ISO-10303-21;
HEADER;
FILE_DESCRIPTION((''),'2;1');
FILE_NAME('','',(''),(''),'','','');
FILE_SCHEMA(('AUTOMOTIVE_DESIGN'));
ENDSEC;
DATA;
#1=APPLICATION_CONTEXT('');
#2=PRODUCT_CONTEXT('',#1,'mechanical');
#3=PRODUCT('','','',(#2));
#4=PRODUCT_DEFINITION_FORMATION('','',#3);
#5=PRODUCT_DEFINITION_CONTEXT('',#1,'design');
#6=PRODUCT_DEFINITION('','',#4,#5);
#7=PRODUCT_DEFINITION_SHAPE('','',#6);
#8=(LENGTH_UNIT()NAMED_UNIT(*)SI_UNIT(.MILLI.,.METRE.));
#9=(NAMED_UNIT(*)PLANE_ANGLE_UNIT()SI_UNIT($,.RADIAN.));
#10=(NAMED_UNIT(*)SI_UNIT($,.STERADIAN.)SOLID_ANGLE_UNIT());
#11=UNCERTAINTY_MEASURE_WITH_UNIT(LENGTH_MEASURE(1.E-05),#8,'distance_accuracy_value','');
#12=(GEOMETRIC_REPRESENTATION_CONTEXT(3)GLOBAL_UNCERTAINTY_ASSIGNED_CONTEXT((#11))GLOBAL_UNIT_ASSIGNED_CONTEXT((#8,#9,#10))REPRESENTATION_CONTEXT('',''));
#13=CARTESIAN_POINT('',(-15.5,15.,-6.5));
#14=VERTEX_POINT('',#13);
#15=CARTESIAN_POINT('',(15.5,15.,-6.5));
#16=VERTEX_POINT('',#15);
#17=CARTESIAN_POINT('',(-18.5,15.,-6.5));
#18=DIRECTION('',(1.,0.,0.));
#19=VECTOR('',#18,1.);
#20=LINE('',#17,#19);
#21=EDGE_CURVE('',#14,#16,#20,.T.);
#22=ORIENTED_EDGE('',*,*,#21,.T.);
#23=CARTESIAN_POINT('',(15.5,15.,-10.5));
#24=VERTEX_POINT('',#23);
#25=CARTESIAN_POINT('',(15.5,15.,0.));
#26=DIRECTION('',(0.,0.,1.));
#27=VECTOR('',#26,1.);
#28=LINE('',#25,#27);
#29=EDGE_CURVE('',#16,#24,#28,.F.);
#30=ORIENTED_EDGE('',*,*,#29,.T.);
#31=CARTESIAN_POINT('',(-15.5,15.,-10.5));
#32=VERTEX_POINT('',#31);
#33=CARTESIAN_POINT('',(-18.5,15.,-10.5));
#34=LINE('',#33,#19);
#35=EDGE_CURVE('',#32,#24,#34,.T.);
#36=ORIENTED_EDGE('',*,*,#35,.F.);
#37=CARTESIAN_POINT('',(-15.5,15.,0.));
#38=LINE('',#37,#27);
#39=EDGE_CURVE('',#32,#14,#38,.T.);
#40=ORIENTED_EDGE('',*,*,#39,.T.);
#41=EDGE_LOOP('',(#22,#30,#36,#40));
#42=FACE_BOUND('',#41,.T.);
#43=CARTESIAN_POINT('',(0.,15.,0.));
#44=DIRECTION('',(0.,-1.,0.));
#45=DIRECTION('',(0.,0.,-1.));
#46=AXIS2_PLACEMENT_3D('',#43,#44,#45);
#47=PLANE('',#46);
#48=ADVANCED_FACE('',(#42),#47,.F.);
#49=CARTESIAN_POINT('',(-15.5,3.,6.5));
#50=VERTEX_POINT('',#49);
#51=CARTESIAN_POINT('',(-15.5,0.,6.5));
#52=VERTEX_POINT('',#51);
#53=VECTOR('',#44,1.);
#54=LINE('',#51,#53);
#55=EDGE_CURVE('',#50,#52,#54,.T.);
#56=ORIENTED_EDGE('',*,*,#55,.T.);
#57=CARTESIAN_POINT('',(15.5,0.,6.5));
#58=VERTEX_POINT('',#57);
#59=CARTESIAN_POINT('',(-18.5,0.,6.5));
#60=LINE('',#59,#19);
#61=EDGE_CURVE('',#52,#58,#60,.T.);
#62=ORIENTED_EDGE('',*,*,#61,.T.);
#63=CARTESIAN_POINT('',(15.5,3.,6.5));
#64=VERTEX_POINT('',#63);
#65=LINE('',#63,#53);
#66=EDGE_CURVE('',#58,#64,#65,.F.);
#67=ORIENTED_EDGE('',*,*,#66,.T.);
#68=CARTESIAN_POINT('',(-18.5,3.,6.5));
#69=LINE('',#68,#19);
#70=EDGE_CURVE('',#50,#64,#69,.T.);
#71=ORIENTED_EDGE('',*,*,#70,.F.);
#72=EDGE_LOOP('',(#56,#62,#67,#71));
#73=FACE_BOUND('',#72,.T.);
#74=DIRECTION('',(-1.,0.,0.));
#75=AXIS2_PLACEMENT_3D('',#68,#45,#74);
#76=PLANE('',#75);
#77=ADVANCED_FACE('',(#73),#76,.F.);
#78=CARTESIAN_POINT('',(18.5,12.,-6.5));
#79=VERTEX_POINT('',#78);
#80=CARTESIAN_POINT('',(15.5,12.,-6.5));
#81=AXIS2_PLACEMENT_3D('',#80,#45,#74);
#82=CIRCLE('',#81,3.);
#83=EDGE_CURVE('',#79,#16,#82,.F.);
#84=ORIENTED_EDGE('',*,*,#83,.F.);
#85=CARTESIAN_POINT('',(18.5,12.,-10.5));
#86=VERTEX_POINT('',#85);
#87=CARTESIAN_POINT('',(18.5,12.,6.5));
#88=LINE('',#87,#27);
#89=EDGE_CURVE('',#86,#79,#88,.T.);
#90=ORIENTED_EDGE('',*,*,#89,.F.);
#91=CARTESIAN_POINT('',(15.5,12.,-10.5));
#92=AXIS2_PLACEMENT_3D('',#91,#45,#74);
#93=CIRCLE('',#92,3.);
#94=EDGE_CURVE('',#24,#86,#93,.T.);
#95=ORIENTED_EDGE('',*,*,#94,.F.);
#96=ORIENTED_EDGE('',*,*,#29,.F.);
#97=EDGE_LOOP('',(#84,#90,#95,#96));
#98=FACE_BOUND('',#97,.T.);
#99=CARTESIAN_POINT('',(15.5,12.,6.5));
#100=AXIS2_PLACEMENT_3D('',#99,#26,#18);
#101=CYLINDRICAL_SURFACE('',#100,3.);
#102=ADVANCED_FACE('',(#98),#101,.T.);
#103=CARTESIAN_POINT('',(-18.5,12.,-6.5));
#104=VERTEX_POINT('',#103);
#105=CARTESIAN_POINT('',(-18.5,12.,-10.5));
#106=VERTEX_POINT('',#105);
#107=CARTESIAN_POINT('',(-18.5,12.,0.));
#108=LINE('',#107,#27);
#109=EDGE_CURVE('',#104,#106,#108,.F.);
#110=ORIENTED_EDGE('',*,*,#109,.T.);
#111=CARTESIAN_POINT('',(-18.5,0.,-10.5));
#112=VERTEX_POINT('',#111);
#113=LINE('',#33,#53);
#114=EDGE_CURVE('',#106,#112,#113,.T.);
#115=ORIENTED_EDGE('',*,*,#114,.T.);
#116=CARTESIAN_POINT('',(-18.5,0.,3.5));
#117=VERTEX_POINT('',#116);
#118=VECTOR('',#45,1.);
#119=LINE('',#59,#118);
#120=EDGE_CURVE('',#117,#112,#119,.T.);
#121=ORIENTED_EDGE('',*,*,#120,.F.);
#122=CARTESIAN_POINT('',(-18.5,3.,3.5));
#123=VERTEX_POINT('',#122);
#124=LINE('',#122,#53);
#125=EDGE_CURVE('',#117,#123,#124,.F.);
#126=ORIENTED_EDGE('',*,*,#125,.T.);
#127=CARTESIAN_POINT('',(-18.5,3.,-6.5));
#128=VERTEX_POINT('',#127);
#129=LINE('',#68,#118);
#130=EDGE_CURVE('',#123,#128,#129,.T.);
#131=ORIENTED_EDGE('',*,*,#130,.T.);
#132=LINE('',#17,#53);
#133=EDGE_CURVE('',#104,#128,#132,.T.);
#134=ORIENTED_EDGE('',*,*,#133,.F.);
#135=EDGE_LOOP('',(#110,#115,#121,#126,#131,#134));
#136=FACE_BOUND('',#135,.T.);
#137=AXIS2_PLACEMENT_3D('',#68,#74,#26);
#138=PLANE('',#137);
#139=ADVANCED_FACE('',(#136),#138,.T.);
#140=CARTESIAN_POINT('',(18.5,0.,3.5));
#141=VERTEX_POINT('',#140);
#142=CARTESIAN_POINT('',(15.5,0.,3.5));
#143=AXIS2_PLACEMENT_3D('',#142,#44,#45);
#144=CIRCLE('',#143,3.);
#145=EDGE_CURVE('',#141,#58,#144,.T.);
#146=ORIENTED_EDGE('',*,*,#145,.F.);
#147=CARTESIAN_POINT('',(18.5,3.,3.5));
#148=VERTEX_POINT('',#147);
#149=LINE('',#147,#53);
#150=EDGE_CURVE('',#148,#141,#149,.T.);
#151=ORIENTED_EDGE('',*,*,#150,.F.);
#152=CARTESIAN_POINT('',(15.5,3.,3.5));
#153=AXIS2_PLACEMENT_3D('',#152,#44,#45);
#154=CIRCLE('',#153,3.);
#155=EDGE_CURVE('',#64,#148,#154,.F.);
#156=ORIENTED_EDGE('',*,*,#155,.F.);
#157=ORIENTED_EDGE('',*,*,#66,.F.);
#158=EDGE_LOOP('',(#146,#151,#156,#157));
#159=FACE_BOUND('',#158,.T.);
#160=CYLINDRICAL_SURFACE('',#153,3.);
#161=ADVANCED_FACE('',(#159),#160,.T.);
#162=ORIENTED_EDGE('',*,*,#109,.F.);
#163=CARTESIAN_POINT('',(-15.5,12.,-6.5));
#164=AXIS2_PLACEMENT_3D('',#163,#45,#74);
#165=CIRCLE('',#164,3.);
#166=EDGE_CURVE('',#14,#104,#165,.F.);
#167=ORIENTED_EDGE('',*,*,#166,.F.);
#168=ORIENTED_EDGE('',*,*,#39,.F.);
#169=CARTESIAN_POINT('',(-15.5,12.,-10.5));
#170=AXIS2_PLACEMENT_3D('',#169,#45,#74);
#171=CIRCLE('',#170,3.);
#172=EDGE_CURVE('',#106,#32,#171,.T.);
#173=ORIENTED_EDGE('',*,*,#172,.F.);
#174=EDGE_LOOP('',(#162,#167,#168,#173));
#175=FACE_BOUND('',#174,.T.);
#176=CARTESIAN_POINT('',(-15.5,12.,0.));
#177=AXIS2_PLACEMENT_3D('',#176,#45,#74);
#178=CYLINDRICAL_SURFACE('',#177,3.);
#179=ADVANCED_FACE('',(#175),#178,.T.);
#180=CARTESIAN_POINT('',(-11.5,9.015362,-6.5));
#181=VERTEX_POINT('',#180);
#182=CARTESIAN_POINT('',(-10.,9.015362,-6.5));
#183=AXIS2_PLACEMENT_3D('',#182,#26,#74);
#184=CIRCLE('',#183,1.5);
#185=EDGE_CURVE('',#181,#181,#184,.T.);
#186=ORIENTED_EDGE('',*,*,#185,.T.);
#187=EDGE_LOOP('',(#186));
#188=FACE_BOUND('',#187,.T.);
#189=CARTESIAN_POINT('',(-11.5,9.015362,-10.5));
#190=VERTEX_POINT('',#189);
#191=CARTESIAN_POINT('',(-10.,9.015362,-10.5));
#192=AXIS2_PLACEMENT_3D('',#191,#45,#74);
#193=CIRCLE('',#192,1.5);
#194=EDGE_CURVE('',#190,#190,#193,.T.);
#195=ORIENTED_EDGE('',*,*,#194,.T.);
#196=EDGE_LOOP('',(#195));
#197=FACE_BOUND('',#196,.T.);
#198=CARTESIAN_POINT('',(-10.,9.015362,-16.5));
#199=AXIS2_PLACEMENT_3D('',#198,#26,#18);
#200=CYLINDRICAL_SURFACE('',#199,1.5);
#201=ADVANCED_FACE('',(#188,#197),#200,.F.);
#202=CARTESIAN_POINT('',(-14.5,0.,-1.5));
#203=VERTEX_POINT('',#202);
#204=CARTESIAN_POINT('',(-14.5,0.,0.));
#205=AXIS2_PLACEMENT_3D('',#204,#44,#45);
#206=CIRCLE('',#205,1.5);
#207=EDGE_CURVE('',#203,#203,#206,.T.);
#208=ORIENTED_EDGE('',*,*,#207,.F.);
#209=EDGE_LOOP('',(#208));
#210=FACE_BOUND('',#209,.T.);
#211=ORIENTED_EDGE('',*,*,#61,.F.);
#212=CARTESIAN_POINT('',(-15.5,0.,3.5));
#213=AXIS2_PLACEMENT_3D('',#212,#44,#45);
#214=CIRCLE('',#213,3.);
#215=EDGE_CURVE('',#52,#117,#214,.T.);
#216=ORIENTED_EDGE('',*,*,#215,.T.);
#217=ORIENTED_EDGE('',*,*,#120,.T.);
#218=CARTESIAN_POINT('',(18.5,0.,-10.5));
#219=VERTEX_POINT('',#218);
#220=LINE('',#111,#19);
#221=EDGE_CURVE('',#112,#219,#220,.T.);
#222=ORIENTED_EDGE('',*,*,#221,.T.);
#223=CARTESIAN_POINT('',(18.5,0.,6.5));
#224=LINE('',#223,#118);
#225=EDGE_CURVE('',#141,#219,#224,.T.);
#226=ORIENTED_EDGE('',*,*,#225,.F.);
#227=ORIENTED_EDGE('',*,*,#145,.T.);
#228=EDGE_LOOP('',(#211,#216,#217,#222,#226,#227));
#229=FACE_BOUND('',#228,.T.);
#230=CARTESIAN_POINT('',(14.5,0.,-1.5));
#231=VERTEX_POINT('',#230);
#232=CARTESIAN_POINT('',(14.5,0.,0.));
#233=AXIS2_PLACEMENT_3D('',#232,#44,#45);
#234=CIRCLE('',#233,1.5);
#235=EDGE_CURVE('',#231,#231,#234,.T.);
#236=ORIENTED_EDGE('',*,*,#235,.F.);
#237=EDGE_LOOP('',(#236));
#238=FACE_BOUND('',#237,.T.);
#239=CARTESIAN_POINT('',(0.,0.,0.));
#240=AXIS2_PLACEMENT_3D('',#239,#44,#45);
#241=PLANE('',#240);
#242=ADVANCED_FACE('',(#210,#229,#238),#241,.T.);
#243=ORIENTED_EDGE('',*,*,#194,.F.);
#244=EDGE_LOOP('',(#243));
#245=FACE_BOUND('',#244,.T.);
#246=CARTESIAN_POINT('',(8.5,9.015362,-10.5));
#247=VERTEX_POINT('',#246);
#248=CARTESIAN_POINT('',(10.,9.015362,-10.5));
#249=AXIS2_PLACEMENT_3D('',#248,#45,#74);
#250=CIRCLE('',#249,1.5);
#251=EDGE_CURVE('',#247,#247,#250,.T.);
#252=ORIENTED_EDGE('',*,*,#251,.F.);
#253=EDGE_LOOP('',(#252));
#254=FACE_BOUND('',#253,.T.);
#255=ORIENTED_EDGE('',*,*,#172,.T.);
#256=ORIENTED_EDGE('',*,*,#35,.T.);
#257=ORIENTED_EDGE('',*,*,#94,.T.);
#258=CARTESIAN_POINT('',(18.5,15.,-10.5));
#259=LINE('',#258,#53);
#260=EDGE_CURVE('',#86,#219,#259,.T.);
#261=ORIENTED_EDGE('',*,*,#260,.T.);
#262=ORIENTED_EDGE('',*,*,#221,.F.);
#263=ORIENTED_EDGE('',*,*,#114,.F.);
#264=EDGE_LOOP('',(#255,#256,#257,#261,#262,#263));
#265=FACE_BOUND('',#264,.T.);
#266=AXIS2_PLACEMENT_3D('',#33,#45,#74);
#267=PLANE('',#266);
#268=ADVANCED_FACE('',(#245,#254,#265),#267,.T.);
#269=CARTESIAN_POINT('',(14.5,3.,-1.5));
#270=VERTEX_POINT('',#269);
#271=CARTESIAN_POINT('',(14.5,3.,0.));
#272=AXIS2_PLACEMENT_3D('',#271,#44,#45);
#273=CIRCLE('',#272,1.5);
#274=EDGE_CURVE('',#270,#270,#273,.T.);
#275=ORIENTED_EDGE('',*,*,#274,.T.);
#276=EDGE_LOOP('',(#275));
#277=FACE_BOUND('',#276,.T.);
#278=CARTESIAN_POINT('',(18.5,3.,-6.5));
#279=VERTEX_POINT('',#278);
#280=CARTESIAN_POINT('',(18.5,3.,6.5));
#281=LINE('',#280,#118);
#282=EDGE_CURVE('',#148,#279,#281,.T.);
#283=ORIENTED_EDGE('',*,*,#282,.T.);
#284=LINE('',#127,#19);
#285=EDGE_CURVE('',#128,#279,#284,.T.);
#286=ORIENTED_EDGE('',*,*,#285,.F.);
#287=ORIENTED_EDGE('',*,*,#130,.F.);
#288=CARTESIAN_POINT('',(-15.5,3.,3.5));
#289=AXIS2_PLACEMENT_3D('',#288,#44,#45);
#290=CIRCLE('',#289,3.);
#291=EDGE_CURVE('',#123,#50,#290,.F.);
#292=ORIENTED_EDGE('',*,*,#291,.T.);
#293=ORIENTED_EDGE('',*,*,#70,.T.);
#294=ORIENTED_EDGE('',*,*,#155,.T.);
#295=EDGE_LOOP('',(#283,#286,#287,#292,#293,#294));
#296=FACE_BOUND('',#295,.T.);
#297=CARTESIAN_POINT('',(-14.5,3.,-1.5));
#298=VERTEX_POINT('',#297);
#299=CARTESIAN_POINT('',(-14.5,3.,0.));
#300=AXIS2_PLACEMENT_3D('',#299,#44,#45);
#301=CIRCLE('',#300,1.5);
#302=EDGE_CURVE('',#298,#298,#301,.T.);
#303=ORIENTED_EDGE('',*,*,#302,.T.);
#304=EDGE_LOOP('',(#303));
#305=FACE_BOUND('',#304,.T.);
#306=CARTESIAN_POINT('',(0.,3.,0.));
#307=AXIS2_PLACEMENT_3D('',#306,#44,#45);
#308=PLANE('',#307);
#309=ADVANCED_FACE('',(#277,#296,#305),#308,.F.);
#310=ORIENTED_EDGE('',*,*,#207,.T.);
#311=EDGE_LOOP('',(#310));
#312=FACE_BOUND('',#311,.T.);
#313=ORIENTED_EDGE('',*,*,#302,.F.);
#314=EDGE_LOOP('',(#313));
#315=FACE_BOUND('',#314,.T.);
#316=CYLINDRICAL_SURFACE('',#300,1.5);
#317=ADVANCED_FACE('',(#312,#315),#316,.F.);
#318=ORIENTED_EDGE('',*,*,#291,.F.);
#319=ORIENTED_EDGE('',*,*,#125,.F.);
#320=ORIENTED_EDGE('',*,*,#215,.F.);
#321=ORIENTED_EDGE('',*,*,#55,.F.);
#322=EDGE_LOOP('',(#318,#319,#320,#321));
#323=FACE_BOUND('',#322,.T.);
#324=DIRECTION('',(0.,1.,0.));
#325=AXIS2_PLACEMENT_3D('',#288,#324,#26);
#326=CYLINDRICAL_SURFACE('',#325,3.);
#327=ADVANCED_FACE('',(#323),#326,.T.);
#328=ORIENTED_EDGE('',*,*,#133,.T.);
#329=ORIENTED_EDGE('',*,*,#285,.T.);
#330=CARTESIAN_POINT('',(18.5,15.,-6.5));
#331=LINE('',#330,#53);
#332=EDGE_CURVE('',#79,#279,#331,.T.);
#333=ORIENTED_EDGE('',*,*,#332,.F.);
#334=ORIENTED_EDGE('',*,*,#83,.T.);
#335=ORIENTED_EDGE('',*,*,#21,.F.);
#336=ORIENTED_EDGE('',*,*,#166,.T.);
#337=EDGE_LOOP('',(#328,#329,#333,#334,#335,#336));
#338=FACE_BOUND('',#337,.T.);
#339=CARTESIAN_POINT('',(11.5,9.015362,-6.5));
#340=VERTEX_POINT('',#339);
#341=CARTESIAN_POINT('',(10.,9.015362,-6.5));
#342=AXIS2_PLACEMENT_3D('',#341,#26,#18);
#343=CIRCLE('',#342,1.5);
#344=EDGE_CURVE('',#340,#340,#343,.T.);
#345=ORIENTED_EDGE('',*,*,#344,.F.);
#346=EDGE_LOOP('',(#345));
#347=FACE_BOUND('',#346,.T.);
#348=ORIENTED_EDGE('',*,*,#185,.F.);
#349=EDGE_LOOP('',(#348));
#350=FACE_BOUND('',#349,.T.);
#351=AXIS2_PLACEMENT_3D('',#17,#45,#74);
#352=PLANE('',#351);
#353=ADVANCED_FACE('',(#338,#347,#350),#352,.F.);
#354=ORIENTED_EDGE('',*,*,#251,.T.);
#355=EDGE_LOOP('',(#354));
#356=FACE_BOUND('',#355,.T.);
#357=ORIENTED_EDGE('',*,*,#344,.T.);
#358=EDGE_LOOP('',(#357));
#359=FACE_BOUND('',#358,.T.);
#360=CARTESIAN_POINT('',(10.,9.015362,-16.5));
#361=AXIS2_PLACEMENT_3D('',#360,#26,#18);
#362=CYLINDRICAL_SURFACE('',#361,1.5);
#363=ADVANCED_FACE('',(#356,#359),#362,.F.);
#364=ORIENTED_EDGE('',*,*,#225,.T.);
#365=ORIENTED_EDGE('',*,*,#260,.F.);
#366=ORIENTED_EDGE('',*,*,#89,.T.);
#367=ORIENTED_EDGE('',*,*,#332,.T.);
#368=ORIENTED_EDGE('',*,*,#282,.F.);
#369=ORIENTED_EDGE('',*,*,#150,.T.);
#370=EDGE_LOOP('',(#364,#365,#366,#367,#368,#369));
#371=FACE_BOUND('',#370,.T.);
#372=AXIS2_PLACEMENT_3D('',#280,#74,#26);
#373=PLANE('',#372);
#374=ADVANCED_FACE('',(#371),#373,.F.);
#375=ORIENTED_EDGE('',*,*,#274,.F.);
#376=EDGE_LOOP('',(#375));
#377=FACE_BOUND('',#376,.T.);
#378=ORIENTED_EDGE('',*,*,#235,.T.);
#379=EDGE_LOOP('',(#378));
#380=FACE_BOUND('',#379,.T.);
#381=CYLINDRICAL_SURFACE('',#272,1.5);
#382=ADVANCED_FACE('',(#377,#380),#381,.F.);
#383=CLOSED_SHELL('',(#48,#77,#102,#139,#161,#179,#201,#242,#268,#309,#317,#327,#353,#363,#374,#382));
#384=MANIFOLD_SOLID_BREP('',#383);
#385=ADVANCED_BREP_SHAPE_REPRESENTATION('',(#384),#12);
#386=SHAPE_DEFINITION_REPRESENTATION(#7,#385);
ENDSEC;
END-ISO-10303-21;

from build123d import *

# Parameters (mm, degrees)
SKETCH_2_W          = 37
SKETCH_2_H          = 13
EXTRUDE_2_DEPTH     = 3
SKETCH_3_R          = 1.5
CUT_EXTRUDE_2_DEPTH = 3
SKETCH_4_W          = 37
SKETCH_4_H          = 4
EXTRUDE_3_DEPTH     = 15
FILLET_4_R          = 3
FILLET_5_R          = 3
SKETCH_5_R          = 1.5
CUT_EXTRUDE_3_DEPTH = 10
FILLET_6_R          = 3


with BuildPart() as part:
    # 草图2 → 凸台-拉伸2 (new body)
    with BuildSketch(Plane(origin=(0, 0, 0), x_dir=(1, 0, 0), z_dir=(0, 1, 0))):
        Rectangle(SKETCH_2_W, SKETCH_2_H)
    extrude(amount=EXTRUDE_2_DEPTH)

    # 草图3 → 切除-拉伸2 (cut)
    with BuildSketch(Plane.XZ):
        with Locations(Location((-14.5, 0, 0), (0, 0, 270))):
            Circle(SKETCH_3_R)
        with Locations(Location((14.5, 0, 0), (0, 0, 270))):
            Circle(SKETCH_3_R)
    extrude(amount=-CUT_EXTRUDE_2_DEPTH, mode=Mode.SUBTRACT)

    # 草图4 → 凸台-拉伸3 (add)
    with BuildSketch(Plane.XZ):
        with Locations((0, -8.5)):
            Rectangle(SKETCH_4_W, SKETCH_4_H)
    extrude(amount=-EXTRUDE_3_DEPTH)

    # 圆角4
    fillet_4_edges = [part.edges().sort_by_distance(p)[0] for p in [
        (18.5, 15, -8.5),
    ]]
    fillet(fillet_4_edges, radius=FILLET_4_R)

    # 圆角5
    fillet_5_edges = [part.edges().sort_by_distance(p)[0] for p in [
        (-18.5, 15, -8.5),
    ]]
    fillet(fillet_5_edges, radius=FILLET_5_R)

    # 草图5 → 切除-拉伸3 (cut)
    with BuildSketch(Plane.XY.offset(-6.5)):
        with Locations((10, 9.01536156)):
            Circle(SKETCH_5_R)
        with Locations(Location((-10, 9.01536156, 0), (0, 0, 180))):
            Circle(SKETCH_5_R)
    extrude(amount=-CUT_EXTRUDE_3_DEPTH, mode=Mode.SUBTRACT)

    # 圆角6
    fillet_6_edges = [part.edges().sort_by_distance(p)[0] for p in [
        (-18.5, 1.5, 6.5),
        (18.5, 1.5, 6.5),
    ]]
    fillet(fillet_6_edges, radius=FILLET_6_R)


solid = part.part
